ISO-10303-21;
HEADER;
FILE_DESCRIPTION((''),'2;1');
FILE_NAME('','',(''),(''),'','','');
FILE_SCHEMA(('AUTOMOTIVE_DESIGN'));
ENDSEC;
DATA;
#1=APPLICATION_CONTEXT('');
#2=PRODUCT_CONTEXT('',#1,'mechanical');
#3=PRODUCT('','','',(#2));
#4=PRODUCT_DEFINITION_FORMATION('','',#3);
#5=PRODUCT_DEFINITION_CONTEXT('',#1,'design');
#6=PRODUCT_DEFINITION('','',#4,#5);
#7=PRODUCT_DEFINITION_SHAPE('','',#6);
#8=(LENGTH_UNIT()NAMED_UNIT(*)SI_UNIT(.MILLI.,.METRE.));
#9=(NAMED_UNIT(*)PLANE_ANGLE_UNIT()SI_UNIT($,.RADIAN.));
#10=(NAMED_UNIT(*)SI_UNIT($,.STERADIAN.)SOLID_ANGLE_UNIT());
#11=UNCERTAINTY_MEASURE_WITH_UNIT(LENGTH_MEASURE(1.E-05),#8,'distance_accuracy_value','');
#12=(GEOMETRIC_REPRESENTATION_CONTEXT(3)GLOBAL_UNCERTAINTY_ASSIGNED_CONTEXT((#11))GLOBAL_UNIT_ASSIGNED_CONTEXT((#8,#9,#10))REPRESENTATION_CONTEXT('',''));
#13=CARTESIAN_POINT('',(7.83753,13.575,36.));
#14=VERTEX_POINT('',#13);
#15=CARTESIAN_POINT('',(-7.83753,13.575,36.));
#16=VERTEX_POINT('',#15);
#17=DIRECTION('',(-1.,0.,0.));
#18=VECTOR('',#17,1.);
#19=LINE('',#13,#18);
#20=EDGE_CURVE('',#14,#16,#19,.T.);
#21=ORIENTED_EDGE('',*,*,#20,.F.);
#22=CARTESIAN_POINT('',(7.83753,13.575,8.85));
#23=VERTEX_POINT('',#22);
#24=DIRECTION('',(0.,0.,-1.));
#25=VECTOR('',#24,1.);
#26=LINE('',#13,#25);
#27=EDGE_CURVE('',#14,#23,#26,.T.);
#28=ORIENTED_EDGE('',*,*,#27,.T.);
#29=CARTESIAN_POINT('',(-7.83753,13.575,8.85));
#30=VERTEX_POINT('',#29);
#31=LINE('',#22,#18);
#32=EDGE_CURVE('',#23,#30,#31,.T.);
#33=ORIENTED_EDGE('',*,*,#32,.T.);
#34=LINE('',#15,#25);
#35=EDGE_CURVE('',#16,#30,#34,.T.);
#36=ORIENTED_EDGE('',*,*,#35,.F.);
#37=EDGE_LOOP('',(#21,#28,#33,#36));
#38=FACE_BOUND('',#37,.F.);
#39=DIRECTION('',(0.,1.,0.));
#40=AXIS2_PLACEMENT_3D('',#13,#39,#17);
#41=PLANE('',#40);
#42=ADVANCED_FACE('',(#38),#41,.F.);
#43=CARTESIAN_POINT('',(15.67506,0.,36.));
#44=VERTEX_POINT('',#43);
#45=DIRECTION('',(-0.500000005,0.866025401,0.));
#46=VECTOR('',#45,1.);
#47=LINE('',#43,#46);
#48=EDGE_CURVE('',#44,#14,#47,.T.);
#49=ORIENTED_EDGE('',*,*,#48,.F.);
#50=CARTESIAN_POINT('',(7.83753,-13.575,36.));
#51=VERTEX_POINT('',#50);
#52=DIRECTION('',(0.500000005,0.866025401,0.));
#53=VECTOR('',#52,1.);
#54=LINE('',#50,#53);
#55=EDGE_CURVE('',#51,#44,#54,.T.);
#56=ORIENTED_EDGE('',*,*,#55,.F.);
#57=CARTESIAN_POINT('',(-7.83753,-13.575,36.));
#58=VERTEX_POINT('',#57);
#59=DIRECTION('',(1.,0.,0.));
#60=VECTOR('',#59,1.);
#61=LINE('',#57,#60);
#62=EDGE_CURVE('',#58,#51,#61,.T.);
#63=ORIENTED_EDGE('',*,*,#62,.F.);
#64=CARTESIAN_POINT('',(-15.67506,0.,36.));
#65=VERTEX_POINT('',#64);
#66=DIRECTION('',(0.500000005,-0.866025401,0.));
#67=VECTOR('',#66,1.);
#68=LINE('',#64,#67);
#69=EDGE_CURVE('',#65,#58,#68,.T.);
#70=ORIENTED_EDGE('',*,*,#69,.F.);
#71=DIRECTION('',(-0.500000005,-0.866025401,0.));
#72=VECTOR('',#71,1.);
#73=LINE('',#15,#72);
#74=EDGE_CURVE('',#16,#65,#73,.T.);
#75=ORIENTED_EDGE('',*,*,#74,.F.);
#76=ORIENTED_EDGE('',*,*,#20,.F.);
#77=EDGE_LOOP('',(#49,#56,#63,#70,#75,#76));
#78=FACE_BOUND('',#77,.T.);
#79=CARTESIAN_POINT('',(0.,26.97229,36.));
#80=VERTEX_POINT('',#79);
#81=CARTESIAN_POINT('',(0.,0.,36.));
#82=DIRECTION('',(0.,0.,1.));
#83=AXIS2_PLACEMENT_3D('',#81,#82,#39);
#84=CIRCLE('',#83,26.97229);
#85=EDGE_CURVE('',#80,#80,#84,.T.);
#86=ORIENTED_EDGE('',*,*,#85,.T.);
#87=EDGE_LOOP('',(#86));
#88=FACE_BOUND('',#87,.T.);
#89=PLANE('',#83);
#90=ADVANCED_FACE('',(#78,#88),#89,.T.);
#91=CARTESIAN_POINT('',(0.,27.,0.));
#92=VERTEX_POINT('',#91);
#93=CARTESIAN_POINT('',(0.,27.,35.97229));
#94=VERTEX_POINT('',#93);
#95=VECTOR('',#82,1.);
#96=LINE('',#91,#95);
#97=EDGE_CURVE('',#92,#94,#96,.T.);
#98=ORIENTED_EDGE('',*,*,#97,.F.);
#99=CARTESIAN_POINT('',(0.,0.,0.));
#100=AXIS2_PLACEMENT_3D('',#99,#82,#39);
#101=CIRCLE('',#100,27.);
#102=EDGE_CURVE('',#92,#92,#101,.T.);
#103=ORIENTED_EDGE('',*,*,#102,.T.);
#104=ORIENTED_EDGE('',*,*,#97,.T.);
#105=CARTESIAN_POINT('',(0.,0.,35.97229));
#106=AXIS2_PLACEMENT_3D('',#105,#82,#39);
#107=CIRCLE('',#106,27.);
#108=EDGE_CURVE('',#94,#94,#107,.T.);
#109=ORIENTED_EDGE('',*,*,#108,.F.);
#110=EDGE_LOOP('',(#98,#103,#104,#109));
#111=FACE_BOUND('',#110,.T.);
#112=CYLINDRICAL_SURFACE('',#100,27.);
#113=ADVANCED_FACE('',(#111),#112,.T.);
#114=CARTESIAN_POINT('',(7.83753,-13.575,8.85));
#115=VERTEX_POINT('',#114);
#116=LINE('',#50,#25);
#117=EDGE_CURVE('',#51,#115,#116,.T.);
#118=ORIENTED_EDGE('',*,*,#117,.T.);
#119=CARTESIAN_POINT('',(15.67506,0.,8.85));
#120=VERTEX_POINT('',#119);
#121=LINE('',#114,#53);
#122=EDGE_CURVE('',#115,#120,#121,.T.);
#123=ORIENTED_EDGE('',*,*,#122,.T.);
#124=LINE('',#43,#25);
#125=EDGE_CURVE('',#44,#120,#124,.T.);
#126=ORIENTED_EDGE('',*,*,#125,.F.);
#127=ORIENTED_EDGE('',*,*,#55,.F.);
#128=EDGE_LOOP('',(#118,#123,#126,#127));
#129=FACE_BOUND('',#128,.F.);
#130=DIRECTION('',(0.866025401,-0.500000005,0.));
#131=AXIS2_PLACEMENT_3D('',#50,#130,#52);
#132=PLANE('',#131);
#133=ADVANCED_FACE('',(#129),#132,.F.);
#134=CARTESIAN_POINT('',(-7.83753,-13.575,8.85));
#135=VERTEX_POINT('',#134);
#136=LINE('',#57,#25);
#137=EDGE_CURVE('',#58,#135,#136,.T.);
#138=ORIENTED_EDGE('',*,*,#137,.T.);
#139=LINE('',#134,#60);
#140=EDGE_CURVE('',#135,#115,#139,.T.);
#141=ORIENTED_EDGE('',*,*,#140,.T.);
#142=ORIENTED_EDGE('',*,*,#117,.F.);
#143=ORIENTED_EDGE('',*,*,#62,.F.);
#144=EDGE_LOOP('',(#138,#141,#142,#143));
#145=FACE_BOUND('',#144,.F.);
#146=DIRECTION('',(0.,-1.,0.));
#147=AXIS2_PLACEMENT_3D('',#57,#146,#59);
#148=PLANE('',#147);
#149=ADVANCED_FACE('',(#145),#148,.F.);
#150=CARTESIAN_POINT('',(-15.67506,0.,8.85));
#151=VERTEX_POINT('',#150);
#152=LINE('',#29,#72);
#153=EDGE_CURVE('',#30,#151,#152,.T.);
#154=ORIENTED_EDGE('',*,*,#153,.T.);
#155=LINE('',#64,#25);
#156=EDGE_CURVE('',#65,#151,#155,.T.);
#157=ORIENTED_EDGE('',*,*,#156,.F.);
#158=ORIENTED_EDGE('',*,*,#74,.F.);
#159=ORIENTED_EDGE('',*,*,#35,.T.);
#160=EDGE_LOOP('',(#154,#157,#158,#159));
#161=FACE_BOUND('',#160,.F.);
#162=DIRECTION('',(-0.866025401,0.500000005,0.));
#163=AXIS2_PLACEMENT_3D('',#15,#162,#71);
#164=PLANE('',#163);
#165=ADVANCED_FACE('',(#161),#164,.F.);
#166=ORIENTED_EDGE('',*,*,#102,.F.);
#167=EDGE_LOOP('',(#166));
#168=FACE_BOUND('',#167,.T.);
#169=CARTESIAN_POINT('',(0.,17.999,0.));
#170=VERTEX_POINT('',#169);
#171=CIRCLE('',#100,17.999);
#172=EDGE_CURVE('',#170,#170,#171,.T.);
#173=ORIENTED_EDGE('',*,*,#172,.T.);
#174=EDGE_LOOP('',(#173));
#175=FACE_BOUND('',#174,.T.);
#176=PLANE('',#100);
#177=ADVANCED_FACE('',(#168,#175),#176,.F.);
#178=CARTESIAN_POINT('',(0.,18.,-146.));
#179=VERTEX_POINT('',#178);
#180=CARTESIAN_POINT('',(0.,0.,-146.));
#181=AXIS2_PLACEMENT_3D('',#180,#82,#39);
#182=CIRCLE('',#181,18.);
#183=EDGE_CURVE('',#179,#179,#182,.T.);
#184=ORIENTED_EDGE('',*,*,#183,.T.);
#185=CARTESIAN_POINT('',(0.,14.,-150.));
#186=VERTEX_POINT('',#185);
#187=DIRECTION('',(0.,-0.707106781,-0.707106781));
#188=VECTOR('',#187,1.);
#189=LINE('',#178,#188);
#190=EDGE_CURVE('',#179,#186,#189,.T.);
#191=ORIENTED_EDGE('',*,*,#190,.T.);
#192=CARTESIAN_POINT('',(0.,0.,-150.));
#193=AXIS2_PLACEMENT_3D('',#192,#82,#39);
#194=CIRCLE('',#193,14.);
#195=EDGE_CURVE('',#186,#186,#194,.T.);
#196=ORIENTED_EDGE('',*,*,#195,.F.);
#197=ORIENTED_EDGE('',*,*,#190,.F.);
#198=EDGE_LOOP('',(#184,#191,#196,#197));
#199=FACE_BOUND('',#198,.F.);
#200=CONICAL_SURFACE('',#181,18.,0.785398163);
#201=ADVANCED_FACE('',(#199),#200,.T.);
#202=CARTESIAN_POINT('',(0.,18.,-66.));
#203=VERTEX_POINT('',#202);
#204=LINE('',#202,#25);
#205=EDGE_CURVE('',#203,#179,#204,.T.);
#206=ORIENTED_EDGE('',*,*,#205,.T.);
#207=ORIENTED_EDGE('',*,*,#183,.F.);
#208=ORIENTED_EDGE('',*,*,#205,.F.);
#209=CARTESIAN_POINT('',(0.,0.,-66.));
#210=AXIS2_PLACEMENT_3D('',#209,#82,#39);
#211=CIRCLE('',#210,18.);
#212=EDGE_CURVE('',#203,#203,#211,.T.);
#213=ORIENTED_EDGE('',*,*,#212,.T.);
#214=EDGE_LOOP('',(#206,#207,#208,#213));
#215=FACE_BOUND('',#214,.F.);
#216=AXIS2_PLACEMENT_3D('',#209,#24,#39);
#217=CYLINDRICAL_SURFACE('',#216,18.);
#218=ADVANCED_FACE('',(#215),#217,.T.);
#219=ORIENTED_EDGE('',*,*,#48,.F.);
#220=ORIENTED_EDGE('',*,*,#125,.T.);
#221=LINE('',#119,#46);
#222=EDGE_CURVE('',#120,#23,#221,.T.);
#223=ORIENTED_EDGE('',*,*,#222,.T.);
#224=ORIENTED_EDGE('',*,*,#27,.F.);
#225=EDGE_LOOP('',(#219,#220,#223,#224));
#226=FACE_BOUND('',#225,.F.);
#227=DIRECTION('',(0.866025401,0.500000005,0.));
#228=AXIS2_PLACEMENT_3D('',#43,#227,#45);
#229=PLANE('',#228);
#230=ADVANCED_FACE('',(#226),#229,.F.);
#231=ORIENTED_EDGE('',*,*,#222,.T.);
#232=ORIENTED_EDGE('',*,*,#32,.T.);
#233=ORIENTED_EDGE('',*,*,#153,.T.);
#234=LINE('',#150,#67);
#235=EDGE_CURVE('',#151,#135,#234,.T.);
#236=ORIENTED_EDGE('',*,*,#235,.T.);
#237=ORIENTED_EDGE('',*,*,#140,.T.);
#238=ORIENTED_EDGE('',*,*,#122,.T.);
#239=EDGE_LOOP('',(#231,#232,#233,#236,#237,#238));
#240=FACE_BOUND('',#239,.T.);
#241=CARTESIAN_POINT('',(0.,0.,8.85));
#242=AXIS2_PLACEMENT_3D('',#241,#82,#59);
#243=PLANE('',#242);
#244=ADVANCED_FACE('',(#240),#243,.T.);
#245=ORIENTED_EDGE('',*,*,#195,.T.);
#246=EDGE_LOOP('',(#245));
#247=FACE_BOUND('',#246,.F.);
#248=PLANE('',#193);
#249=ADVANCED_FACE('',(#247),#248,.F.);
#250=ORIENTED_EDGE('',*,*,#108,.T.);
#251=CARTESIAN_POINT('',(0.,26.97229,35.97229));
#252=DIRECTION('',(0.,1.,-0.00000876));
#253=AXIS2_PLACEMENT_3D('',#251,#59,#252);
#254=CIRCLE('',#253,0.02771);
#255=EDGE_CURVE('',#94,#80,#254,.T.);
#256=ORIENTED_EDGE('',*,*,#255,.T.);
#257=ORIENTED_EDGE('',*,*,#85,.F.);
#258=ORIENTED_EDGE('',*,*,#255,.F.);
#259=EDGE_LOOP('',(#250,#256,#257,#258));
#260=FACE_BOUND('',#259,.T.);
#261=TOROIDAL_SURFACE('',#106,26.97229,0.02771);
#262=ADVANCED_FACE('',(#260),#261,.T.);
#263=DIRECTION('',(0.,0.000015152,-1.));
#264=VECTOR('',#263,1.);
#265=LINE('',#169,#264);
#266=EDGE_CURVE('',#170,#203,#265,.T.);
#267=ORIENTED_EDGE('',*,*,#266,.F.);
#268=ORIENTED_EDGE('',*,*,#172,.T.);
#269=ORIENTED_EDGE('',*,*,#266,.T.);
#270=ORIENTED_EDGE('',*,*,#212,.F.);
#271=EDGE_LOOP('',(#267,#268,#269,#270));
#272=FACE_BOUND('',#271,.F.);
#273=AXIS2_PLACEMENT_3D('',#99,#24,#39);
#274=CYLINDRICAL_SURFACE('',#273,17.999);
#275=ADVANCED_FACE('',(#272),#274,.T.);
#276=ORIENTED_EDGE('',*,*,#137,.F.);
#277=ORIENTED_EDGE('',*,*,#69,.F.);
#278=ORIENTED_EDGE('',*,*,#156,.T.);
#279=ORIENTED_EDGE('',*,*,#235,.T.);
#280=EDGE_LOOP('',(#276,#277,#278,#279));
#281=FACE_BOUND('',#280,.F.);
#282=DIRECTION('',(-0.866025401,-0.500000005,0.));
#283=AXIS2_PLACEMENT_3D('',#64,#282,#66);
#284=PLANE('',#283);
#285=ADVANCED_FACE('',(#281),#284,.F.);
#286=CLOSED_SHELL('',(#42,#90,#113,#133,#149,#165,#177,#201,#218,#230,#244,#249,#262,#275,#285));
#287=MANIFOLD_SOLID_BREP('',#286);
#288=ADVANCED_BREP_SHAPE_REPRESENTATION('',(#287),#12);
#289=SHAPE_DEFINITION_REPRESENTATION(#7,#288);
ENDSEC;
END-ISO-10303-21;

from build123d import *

# Parameters (mm, degrees)
POCKET_DEPTH = 27.15


with BuildPart() as part:
    # Sketch → Revolve (revolve)
    with BuildSketch(Plane.YZ):
        with BuildLine():
            Line((17.999, 0), (27, 0))
            Line((27, 0), (27, 35.97229))
            ThreePointArc((27, 35.97229), (26.991884, 35.991884), (26.97229, 36))
            Line((26.97229, 36), (0, 36))
            Line((0, -150), (0, 36))
            Line((14, -150), (0, -150))
            Line((18, -146), (14, -150))
            Line((18, -66), (18, -146))
            Line((17.999, 0), (18, -66))
        make_face()
    revolve(axis=Axis((0, 0, 0), (0, 0, 1)))

    # Sketch001 → Pocket (cut)
    with BuildSketch(Plane.XY.offset(36)):
        Polygon((15.67506, 0), (7.83753, 13.575), (-7.83753, 13.575), (-15.67506, 0), (-7.83753, -13.575), (7.83753, -13.575), align=None)
    extrude(amount=-POCKET_DEPTH, mode=Mode.SUBTRACT)


solid = part.part
